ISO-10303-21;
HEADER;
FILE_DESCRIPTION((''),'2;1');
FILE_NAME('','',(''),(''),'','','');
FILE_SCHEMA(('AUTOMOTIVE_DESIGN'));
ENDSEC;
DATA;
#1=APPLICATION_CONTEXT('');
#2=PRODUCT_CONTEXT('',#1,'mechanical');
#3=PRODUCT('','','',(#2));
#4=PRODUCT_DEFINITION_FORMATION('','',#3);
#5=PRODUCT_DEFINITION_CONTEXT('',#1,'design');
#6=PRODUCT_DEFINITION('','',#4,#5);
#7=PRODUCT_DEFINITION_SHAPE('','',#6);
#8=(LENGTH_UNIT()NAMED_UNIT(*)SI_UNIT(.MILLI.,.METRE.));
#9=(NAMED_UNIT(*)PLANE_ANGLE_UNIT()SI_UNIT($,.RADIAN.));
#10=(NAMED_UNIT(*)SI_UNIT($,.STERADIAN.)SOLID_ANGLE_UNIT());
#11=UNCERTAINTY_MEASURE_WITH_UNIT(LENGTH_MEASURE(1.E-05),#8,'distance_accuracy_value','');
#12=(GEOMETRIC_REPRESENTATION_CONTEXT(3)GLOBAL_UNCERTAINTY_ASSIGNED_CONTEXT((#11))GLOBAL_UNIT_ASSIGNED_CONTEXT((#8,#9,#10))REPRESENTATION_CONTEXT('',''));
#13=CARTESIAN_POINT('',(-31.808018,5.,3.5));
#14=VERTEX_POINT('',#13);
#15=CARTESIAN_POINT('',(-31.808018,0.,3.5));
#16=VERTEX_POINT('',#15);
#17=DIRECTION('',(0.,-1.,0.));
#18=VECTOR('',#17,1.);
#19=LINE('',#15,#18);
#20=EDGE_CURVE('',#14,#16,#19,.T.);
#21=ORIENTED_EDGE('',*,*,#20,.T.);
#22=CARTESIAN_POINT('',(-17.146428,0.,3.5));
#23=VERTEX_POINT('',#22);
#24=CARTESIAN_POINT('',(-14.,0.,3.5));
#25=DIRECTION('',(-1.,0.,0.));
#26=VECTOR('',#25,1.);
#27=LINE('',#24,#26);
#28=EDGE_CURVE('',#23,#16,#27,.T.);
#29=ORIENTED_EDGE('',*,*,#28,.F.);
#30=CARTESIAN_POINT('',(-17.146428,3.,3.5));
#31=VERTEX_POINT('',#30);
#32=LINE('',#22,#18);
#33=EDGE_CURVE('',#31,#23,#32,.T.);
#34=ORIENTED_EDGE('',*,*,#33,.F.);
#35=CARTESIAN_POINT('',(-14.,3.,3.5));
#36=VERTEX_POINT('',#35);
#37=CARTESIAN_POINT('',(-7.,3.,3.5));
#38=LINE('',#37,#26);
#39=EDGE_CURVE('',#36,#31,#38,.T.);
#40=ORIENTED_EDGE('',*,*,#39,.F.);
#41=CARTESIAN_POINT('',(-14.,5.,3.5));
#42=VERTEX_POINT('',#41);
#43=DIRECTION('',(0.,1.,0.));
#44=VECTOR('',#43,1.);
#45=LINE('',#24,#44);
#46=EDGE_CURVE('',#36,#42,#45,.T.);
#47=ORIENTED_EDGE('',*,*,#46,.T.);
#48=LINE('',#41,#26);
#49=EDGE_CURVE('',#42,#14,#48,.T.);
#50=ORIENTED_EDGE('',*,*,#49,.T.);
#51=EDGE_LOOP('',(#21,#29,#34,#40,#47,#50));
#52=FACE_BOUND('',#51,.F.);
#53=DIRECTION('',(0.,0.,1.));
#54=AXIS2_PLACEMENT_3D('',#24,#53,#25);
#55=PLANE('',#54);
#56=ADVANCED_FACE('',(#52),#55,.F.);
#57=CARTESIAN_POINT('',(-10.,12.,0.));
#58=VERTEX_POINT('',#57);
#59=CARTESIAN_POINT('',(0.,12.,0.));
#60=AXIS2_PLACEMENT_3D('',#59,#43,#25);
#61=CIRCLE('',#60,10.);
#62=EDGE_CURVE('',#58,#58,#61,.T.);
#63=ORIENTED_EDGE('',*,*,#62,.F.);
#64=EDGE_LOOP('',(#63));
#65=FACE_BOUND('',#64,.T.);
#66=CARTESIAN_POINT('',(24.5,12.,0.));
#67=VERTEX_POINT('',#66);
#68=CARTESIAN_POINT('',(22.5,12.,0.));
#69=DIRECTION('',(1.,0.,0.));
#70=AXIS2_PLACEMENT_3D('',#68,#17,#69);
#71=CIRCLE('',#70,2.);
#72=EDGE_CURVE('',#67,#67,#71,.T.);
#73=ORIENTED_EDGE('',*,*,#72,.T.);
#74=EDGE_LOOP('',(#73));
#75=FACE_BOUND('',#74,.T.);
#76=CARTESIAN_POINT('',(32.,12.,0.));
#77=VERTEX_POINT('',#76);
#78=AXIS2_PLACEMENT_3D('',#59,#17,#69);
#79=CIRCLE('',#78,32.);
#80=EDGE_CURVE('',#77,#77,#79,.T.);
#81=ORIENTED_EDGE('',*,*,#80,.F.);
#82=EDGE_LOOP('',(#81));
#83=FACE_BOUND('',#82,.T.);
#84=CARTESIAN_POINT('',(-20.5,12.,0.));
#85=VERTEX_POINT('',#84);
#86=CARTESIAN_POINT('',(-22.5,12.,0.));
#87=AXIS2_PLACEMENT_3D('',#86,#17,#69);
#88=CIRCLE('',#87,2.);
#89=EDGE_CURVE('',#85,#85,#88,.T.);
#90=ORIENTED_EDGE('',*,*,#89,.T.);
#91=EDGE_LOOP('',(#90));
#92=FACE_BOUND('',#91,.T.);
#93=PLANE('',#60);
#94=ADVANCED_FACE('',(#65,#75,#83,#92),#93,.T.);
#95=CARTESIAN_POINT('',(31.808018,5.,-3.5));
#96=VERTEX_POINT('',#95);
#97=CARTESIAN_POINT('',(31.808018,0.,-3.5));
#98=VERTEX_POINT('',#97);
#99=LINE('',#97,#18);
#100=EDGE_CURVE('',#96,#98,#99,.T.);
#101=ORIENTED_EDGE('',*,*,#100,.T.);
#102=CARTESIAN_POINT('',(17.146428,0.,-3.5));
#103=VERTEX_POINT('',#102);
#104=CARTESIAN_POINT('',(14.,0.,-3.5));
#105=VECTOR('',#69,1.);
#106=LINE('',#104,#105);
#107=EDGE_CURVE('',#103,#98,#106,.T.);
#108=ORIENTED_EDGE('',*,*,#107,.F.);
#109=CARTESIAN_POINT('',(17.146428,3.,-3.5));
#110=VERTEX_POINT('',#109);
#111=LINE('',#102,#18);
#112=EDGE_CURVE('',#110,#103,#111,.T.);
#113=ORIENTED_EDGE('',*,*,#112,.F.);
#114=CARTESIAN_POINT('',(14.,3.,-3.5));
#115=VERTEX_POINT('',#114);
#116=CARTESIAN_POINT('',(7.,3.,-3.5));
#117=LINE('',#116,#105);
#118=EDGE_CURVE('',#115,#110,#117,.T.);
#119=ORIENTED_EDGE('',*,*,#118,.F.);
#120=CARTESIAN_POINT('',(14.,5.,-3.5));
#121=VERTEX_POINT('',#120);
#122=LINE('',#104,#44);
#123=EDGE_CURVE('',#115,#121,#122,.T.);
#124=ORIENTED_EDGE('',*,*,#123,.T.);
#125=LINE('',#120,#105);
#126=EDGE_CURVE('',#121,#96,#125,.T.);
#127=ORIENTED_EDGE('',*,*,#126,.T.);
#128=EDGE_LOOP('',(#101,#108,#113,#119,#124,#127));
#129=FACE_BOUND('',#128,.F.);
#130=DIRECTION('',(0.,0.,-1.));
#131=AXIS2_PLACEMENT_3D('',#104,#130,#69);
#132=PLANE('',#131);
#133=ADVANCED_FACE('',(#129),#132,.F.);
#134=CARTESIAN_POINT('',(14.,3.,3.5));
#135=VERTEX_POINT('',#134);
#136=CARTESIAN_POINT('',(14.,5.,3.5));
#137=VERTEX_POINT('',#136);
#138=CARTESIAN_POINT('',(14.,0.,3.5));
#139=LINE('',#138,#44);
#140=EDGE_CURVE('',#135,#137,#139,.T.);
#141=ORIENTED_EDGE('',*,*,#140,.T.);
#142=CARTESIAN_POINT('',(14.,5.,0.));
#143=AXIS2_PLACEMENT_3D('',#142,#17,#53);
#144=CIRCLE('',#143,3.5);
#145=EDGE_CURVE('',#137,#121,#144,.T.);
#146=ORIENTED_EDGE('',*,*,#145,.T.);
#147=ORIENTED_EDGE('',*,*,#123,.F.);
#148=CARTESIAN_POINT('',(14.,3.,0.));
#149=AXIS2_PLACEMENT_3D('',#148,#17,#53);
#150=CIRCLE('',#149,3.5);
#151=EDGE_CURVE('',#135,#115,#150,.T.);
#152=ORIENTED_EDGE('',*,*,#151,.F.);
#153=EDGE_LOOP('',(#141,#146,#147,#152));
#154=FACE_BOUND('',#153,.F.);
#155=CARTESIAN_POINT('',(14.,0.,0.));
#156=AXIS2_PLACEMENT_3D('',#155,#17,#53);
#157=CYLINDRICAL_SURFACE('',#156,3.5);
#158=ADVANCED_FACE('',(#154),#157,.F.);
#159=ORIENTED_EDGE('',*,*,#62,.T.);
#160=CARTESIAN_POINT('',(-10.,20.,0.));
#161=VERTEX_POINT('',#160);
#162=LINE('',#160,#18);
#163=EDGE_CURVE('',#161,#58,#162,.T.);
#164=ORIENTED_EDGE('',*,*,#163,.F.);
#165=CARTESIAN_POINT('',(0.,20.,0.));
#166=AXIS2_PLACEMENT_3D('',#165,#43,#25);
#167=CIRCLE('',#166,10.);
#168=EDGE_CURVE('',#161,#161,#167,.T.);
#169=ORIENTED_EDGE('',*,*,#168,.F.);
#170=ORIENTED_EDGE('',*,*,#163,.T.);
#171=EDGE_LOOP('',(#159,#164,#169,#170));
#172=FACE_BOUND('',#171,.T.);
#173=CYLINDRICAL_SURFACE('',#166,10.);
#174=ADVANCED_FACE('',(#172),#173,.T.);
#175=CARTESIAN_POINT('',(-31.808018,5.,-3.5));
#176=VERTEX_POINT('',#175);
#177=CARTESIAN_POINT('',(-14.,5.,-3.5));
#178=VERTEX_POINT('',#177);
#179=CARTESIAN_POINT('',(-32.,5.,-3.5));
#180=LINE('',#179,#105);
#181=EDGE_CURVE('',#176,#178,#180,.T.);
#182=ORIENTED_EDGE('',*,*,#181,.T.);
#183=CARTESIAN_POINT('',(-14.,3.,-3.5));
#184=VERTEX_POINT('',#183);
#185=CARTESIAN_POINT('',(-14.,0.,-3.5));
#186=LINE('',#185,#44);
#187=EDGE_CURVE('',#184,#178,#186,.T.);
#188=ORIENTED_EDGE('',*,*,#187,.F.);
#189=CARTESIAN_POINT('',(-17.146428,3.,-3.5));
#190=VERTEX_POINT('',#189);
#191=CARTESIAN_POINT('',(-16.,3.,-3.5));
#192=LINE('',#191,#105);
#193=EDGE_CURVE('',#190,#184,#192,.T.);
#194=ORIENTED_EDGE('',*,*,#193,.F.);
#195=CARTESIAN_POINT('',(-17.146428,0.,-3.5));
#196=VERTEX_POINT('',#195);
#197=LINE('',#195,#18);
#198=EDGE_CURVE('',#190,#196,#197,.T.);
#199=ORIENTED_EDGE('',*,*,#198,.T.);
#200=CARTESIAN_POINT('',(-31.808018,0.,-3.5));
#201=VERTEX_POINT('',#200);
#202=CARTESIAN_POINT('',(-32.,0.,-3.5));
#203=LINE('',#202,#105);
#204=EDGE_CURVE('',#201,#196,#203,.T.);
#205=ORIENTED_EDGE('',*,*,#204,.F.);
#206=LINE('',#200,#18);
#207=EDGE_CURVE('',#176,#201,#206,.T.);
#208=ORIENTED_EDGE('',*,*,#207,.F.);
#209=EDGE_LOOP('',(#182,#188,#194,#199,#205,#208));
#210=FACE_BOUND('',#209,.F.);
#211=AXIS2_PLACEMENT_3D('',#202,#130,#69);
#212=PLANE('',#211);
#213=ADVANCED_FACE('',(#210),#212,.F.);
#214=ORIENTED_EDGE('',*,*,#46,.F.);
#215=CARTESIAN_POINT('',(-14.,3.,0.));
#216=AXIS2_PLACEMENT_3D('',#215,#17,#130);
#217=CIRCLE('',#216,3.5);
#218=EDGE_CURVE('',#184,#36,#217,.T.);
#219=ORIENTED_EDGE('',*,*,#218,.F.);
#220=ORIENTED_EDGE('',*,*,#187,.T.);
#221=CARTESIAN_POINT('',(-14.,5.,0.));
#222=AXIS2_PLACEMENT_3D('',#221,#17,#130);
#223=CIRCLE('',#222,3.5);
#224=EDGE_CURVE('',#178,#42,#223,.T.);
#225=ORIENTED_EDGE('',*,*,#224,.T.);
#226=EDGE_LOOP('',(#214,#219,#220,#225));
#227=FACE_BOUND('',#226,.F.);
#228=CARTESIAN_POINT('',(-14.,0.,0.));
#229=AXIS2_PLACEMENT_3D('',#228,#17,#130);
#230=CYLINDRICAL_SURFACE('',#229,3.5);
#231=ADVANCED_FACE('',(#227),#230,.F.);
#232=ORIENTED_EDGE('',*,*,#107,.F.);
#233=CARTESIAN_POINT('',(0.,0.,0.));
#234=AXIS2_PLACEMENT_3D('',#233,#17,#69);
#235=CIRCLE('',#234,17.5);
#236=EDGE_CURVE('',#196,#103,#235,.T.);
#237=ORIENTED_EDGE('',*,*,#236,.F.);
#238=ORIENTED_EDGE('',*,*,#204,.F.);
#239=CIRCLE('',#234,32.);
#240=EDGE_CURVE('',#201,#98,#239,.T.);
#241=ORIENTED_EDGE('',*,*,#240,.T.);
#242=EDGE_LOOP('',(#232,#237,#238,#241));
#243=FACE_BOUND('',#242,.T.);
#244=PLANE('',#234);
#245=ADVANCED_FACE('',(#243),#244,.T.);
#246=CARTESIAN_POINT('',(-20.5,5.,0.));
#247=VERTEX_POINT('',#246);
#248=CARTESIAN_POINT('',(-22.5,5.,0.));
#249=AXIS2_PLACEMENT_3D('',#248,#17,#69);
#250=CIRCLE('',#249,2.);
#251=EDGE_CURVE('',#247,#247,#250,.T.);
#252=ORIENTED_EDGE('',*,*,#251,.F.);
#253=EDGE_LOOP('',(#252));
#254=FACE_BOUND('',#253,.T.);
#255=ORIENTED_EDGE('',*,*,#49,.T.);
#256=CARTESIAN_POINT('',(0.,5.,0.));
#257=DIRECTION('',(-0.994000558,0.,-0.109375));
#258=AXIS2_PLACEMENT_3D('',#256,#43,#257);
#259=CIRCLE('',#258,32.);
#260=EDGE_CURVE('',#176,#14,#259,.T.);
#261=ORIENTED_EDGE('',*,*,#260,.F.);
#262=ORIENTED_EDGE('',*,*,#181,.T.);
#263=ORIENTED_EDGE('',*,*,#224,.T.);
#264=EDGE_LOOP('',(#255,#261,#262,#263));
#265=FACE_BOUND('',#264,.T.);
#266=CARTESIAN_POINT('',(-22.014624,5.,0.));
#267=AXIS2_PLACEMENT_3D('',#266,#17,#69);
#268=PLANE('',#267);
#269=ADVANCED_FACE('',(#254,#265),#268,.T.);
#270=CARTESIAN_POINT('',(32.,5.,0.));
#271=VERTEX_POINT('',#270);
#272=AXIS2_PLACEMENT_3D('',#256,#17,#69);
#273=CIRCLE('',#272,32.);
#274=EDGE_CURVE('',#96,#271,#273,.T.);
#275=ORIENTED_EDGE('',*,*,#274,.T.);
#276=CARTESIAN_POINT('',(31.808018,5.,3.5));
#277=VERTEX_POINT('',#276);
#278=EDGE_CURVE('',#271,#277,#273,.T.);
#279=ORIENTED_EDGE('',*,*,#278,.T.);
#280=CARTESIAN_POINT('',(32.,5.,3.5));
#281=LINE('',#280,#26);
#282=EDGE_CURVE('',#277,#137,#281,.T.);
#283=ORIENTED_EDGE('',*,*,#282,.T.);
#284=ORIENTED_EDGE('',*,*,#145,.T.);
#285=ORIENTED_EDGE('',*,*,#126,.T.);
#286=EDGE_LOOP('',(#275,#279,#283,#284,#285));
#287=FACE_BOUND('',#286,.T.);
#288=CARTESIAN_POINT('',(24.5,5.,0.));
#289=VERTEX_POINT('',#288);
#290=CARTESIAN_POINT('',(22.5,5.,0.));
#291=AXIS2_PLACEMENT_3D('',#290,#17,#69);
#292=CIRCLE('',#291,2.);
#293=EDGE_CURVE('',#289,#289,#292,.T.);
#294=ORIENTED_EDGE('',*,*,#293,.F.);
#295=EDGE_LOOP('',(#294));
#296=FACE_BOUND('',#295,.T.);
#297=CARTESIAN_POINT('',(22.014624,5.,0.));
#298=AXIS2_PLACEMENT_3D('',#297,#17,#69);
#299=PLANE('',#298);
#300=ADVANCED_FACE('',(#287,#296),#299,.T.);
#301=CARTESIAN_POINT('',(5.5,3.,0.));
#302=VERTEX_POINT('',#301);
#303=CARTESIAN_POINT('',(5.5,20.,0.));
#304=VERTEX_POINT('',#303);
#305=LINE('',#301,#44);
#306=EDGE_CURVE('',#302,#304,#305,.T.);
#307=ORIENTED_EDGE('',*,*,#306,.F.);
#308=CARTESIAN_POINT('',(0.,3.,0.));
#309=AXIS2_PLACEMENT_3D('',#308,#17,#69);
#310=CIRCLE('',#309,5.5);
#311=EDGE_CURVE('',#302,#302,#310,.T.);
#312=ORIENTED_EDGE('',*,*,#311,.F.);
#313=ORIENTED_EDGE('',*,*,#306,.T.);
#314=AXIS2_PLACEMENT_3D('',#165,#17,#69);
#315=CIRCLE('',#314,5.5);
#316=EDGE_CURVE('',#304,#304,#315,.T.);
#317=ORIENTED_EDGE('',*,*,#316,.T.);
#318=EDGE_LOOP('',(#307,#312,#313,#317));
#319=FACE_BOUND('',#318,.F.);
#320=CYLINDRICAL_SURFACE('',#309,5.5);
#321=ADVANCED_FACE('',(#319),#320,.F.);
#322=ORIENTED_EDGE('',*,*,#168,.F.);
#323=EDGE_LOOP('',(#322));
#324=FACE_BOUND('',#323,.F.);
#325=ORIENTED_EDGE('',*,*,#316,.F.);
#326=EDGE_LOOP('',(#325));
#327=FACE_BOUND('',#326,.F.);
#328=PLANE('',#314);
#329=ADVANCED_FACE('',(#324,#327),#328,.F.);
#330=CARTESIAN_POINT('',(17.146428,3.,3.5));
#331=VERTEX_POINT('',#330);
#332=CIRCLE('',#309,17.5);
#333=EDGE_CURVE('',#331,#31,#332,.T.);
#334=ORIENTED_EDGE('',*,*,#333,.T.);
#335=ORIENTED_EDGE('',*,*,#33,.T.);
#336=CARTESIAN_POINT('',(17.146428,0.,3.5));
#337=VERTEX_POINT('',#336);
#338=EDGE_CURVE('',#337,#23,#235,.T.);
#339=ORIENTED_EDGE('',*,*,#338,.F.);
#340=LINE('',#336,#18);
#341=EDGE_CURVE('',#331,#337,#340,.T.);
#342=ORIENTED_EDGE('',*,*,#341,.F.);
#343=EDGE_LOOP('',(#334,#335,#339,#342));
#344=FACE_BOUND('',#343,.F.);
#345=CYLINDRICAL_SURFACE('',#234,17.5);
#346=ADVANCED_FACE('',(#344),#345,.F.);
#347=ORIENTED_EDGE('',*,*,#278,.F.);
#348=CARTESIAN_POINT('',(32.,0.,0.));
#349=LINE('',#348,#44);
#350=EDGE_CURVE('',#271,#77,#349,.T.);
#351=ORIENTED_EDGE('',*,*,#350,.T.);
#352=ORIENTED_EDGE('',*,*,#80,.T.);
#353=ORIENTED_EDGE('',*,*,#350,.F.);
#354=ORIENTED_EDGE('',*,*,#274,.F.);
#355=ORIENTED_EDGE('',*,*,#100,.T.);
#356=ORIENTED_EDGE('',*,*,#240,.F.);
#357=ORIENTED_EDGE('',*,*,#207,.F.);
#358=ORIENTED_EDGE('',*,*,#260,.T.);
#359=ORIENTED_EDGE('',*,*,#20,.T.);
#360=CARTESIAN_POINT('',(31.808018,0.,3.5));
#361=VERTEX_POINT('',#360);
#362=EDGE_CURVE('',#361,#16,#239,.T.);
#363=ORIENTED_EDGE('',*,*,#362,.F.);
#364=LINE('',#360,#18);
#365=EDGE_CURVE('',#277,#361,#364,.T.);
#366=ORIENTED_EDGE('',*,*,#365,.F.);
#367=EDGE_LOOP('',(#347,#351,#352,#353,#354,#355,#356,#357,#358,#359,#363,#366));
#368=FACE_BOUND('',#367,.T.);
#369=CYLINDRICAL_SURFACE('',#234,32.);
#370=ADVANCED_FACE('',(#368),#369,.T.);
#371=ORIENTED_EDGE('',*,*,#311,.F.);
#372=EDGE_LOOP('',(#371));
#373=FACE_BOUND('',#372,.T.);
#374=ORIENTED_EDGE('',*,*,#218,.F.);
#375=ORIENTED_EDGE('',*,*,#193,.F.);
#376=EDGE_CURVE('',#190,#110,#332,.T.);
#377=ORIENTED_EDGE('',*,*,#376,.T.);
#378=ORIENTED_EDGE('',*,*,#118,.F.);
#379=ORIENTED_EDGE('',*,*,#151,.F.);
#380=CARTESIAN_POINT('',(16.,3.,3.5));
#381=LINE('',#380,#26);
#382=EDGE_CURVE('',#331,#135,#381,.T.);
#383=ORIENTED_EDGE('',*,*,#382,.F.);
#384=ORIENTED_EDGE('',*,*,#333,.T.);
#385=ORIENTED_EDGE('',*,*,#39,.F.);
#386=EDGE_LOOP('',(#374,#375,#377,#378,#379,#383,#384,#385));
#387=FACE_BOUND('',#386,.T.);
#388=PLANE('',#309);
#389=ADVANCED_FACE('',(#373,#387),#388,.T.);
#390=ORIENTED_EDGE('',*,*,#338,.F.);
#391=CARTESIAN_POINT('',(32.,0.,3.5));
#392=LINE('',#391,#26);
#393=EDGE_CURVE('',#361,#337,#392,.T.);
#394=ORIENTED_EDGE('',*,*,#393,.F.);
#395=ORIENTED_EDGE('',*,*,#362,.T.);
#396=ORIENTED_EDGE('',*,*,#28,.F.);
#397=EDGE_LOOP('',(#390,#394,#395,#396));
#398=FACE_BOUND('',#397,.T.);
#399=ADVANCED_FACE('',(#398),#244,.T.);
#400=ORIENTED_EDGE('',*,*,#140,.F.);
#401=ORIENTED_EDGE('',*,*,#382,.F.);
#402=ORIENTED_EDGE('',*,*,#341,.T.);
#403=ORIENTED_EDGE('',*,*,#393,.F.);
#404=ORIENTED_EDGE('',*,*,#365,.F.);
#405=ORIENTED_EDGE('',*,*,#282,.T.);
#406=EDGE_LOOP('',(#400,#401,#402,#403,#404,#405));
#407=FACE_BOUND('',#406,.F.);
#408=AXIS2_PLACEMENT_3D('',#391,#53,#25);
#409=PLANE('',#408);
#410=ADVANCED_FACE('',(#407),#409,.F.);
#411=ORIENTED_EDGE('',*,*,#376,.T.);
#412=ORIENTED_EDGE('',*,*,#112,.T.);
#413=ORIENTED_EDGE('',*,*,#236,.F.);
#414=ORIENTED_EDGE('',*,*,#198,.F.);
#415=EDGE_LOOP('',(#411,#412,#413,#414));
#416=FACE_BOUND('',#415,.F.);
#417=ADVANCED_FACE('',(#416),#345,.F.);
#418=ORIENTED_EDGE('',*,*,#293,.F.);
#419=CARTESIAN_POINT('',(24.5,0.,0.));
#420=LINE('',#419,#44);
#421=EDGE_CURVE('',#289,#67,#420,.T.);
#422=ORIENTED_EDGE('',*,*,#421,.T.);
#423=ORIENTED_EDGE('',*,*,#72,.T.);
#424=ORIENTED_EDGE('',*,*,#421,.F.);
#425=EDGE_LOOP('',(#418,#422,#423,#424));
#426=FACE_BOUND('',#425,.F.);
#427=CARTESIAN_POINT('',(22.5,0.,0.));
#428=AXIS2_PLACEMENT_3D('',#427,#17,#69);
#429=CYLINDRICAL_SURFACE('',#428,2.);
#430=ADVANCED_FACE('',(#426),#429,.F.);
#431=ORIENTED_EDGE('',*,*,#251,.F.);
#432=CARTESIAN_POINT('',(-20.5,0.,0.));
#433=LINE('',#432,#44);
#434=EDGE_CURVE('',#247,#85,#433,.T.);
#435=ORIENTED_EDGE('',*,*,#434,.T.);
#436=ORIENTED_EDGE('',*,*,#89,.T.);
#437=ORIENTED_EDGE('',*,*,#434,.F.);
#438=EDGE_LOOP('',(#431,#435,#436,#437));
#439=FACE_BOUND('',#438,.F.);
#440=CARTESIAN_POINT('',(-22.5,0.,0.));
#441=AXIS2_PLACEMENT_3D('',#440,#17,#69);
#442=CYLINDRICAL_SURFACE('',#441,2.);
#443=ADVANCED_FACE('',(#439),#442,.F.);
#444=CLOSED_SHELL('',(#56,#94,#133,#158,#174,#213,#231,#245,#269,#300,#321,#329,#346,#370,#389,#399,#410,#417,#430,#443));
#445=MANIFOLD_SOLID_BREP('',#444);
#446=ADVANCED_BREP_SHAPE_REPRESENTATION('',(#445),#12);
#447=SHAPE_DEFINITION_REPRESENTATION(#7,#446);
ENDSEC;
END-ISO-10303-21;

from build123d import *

# Parameters (mm, degrees)
F0_R      = 32
F1_DEPTH  = 20
F2_R      = 17.5
F3_DEPTH  = 3
F5_DEPTH  = 5
F6_R      = 32
F6_R_2    = 10
F7_DEPTH  = 8
F8_R      = 5.5
F9_DEPTH  = 17.001
F10_R     = 2
F11_DEPTH = 20.001


with BuildPart() as f1:
    # F0 (on Front) → F1 (new body)
    with BuildSketch(Plane.XZ):
        Circle(F0_R)
    extrude(amount=-F1_DEPTH)

    # F2 (on Front) → F3 (cut)
    with BuildSketch(Plane.XZ):
        Circle(F2_R)
    extrude(amount=-F3_DEPTH, mode=Mode.SUBTRACT)

    # F4 (on face) → F5 (cut)
    with BuildSketch(Plane.XZ):
        with BuildLine():
            Line((32, 3.5), (14, 3.5))
            ThreePointArc((14, 3.5), (10.5, 0), (14, -3.5))
            Line((14, -3.5), (32, -3.5))
            Line((32, -3.5), (32, 3.5))
        make_face()
        with BuildLine():
            ThreePointArc((-14, -3.5), (-10.5, 0), (-14, 3.5))
            Line((-14, 3.5), (-32, 3.5))
            Line((-32, 3.5), (-32, -3.5))
            Line((-32, -3.5), (-14, -3.5))
        make_face()
    extrude(amount=-F5_DEPTH, mode=Mode.SUBTRACT)

    # F6 (on face) → F7 (cut)
    with BuildSketch(Plane(origin=(0, 20, 0), x_dir=(-1, 0, 0), z_dir=(0, 1, 0))):
        Circle(F6_R)
        Circle(F6_R_2, mode=Mode.SUBTRACT)
    extrude(amount=-F7_DEPTH, mode=Mode.SUBTRACT)

    # F8 (on face) → F9 (cut, through all)
    with BuildSketch(Plane.XZ.offset(-3)):
        Circle(F8_R)
    extrude(amount=-F9_DEPTH, mode=Mode.SUBTRACT)

    # F10 (on Front) → F11 (cut, through all)
    with BuildSketch(Plane.XZ):
        with Locations((-22.5, 0)):
            Circle(F10_R)
        with Locations((22.5, 0)):
            Circle(F10_R)
    extrude(amount=-F11_DEPTH, mode=Mode.SUBTRACT)


solid = f1.part
